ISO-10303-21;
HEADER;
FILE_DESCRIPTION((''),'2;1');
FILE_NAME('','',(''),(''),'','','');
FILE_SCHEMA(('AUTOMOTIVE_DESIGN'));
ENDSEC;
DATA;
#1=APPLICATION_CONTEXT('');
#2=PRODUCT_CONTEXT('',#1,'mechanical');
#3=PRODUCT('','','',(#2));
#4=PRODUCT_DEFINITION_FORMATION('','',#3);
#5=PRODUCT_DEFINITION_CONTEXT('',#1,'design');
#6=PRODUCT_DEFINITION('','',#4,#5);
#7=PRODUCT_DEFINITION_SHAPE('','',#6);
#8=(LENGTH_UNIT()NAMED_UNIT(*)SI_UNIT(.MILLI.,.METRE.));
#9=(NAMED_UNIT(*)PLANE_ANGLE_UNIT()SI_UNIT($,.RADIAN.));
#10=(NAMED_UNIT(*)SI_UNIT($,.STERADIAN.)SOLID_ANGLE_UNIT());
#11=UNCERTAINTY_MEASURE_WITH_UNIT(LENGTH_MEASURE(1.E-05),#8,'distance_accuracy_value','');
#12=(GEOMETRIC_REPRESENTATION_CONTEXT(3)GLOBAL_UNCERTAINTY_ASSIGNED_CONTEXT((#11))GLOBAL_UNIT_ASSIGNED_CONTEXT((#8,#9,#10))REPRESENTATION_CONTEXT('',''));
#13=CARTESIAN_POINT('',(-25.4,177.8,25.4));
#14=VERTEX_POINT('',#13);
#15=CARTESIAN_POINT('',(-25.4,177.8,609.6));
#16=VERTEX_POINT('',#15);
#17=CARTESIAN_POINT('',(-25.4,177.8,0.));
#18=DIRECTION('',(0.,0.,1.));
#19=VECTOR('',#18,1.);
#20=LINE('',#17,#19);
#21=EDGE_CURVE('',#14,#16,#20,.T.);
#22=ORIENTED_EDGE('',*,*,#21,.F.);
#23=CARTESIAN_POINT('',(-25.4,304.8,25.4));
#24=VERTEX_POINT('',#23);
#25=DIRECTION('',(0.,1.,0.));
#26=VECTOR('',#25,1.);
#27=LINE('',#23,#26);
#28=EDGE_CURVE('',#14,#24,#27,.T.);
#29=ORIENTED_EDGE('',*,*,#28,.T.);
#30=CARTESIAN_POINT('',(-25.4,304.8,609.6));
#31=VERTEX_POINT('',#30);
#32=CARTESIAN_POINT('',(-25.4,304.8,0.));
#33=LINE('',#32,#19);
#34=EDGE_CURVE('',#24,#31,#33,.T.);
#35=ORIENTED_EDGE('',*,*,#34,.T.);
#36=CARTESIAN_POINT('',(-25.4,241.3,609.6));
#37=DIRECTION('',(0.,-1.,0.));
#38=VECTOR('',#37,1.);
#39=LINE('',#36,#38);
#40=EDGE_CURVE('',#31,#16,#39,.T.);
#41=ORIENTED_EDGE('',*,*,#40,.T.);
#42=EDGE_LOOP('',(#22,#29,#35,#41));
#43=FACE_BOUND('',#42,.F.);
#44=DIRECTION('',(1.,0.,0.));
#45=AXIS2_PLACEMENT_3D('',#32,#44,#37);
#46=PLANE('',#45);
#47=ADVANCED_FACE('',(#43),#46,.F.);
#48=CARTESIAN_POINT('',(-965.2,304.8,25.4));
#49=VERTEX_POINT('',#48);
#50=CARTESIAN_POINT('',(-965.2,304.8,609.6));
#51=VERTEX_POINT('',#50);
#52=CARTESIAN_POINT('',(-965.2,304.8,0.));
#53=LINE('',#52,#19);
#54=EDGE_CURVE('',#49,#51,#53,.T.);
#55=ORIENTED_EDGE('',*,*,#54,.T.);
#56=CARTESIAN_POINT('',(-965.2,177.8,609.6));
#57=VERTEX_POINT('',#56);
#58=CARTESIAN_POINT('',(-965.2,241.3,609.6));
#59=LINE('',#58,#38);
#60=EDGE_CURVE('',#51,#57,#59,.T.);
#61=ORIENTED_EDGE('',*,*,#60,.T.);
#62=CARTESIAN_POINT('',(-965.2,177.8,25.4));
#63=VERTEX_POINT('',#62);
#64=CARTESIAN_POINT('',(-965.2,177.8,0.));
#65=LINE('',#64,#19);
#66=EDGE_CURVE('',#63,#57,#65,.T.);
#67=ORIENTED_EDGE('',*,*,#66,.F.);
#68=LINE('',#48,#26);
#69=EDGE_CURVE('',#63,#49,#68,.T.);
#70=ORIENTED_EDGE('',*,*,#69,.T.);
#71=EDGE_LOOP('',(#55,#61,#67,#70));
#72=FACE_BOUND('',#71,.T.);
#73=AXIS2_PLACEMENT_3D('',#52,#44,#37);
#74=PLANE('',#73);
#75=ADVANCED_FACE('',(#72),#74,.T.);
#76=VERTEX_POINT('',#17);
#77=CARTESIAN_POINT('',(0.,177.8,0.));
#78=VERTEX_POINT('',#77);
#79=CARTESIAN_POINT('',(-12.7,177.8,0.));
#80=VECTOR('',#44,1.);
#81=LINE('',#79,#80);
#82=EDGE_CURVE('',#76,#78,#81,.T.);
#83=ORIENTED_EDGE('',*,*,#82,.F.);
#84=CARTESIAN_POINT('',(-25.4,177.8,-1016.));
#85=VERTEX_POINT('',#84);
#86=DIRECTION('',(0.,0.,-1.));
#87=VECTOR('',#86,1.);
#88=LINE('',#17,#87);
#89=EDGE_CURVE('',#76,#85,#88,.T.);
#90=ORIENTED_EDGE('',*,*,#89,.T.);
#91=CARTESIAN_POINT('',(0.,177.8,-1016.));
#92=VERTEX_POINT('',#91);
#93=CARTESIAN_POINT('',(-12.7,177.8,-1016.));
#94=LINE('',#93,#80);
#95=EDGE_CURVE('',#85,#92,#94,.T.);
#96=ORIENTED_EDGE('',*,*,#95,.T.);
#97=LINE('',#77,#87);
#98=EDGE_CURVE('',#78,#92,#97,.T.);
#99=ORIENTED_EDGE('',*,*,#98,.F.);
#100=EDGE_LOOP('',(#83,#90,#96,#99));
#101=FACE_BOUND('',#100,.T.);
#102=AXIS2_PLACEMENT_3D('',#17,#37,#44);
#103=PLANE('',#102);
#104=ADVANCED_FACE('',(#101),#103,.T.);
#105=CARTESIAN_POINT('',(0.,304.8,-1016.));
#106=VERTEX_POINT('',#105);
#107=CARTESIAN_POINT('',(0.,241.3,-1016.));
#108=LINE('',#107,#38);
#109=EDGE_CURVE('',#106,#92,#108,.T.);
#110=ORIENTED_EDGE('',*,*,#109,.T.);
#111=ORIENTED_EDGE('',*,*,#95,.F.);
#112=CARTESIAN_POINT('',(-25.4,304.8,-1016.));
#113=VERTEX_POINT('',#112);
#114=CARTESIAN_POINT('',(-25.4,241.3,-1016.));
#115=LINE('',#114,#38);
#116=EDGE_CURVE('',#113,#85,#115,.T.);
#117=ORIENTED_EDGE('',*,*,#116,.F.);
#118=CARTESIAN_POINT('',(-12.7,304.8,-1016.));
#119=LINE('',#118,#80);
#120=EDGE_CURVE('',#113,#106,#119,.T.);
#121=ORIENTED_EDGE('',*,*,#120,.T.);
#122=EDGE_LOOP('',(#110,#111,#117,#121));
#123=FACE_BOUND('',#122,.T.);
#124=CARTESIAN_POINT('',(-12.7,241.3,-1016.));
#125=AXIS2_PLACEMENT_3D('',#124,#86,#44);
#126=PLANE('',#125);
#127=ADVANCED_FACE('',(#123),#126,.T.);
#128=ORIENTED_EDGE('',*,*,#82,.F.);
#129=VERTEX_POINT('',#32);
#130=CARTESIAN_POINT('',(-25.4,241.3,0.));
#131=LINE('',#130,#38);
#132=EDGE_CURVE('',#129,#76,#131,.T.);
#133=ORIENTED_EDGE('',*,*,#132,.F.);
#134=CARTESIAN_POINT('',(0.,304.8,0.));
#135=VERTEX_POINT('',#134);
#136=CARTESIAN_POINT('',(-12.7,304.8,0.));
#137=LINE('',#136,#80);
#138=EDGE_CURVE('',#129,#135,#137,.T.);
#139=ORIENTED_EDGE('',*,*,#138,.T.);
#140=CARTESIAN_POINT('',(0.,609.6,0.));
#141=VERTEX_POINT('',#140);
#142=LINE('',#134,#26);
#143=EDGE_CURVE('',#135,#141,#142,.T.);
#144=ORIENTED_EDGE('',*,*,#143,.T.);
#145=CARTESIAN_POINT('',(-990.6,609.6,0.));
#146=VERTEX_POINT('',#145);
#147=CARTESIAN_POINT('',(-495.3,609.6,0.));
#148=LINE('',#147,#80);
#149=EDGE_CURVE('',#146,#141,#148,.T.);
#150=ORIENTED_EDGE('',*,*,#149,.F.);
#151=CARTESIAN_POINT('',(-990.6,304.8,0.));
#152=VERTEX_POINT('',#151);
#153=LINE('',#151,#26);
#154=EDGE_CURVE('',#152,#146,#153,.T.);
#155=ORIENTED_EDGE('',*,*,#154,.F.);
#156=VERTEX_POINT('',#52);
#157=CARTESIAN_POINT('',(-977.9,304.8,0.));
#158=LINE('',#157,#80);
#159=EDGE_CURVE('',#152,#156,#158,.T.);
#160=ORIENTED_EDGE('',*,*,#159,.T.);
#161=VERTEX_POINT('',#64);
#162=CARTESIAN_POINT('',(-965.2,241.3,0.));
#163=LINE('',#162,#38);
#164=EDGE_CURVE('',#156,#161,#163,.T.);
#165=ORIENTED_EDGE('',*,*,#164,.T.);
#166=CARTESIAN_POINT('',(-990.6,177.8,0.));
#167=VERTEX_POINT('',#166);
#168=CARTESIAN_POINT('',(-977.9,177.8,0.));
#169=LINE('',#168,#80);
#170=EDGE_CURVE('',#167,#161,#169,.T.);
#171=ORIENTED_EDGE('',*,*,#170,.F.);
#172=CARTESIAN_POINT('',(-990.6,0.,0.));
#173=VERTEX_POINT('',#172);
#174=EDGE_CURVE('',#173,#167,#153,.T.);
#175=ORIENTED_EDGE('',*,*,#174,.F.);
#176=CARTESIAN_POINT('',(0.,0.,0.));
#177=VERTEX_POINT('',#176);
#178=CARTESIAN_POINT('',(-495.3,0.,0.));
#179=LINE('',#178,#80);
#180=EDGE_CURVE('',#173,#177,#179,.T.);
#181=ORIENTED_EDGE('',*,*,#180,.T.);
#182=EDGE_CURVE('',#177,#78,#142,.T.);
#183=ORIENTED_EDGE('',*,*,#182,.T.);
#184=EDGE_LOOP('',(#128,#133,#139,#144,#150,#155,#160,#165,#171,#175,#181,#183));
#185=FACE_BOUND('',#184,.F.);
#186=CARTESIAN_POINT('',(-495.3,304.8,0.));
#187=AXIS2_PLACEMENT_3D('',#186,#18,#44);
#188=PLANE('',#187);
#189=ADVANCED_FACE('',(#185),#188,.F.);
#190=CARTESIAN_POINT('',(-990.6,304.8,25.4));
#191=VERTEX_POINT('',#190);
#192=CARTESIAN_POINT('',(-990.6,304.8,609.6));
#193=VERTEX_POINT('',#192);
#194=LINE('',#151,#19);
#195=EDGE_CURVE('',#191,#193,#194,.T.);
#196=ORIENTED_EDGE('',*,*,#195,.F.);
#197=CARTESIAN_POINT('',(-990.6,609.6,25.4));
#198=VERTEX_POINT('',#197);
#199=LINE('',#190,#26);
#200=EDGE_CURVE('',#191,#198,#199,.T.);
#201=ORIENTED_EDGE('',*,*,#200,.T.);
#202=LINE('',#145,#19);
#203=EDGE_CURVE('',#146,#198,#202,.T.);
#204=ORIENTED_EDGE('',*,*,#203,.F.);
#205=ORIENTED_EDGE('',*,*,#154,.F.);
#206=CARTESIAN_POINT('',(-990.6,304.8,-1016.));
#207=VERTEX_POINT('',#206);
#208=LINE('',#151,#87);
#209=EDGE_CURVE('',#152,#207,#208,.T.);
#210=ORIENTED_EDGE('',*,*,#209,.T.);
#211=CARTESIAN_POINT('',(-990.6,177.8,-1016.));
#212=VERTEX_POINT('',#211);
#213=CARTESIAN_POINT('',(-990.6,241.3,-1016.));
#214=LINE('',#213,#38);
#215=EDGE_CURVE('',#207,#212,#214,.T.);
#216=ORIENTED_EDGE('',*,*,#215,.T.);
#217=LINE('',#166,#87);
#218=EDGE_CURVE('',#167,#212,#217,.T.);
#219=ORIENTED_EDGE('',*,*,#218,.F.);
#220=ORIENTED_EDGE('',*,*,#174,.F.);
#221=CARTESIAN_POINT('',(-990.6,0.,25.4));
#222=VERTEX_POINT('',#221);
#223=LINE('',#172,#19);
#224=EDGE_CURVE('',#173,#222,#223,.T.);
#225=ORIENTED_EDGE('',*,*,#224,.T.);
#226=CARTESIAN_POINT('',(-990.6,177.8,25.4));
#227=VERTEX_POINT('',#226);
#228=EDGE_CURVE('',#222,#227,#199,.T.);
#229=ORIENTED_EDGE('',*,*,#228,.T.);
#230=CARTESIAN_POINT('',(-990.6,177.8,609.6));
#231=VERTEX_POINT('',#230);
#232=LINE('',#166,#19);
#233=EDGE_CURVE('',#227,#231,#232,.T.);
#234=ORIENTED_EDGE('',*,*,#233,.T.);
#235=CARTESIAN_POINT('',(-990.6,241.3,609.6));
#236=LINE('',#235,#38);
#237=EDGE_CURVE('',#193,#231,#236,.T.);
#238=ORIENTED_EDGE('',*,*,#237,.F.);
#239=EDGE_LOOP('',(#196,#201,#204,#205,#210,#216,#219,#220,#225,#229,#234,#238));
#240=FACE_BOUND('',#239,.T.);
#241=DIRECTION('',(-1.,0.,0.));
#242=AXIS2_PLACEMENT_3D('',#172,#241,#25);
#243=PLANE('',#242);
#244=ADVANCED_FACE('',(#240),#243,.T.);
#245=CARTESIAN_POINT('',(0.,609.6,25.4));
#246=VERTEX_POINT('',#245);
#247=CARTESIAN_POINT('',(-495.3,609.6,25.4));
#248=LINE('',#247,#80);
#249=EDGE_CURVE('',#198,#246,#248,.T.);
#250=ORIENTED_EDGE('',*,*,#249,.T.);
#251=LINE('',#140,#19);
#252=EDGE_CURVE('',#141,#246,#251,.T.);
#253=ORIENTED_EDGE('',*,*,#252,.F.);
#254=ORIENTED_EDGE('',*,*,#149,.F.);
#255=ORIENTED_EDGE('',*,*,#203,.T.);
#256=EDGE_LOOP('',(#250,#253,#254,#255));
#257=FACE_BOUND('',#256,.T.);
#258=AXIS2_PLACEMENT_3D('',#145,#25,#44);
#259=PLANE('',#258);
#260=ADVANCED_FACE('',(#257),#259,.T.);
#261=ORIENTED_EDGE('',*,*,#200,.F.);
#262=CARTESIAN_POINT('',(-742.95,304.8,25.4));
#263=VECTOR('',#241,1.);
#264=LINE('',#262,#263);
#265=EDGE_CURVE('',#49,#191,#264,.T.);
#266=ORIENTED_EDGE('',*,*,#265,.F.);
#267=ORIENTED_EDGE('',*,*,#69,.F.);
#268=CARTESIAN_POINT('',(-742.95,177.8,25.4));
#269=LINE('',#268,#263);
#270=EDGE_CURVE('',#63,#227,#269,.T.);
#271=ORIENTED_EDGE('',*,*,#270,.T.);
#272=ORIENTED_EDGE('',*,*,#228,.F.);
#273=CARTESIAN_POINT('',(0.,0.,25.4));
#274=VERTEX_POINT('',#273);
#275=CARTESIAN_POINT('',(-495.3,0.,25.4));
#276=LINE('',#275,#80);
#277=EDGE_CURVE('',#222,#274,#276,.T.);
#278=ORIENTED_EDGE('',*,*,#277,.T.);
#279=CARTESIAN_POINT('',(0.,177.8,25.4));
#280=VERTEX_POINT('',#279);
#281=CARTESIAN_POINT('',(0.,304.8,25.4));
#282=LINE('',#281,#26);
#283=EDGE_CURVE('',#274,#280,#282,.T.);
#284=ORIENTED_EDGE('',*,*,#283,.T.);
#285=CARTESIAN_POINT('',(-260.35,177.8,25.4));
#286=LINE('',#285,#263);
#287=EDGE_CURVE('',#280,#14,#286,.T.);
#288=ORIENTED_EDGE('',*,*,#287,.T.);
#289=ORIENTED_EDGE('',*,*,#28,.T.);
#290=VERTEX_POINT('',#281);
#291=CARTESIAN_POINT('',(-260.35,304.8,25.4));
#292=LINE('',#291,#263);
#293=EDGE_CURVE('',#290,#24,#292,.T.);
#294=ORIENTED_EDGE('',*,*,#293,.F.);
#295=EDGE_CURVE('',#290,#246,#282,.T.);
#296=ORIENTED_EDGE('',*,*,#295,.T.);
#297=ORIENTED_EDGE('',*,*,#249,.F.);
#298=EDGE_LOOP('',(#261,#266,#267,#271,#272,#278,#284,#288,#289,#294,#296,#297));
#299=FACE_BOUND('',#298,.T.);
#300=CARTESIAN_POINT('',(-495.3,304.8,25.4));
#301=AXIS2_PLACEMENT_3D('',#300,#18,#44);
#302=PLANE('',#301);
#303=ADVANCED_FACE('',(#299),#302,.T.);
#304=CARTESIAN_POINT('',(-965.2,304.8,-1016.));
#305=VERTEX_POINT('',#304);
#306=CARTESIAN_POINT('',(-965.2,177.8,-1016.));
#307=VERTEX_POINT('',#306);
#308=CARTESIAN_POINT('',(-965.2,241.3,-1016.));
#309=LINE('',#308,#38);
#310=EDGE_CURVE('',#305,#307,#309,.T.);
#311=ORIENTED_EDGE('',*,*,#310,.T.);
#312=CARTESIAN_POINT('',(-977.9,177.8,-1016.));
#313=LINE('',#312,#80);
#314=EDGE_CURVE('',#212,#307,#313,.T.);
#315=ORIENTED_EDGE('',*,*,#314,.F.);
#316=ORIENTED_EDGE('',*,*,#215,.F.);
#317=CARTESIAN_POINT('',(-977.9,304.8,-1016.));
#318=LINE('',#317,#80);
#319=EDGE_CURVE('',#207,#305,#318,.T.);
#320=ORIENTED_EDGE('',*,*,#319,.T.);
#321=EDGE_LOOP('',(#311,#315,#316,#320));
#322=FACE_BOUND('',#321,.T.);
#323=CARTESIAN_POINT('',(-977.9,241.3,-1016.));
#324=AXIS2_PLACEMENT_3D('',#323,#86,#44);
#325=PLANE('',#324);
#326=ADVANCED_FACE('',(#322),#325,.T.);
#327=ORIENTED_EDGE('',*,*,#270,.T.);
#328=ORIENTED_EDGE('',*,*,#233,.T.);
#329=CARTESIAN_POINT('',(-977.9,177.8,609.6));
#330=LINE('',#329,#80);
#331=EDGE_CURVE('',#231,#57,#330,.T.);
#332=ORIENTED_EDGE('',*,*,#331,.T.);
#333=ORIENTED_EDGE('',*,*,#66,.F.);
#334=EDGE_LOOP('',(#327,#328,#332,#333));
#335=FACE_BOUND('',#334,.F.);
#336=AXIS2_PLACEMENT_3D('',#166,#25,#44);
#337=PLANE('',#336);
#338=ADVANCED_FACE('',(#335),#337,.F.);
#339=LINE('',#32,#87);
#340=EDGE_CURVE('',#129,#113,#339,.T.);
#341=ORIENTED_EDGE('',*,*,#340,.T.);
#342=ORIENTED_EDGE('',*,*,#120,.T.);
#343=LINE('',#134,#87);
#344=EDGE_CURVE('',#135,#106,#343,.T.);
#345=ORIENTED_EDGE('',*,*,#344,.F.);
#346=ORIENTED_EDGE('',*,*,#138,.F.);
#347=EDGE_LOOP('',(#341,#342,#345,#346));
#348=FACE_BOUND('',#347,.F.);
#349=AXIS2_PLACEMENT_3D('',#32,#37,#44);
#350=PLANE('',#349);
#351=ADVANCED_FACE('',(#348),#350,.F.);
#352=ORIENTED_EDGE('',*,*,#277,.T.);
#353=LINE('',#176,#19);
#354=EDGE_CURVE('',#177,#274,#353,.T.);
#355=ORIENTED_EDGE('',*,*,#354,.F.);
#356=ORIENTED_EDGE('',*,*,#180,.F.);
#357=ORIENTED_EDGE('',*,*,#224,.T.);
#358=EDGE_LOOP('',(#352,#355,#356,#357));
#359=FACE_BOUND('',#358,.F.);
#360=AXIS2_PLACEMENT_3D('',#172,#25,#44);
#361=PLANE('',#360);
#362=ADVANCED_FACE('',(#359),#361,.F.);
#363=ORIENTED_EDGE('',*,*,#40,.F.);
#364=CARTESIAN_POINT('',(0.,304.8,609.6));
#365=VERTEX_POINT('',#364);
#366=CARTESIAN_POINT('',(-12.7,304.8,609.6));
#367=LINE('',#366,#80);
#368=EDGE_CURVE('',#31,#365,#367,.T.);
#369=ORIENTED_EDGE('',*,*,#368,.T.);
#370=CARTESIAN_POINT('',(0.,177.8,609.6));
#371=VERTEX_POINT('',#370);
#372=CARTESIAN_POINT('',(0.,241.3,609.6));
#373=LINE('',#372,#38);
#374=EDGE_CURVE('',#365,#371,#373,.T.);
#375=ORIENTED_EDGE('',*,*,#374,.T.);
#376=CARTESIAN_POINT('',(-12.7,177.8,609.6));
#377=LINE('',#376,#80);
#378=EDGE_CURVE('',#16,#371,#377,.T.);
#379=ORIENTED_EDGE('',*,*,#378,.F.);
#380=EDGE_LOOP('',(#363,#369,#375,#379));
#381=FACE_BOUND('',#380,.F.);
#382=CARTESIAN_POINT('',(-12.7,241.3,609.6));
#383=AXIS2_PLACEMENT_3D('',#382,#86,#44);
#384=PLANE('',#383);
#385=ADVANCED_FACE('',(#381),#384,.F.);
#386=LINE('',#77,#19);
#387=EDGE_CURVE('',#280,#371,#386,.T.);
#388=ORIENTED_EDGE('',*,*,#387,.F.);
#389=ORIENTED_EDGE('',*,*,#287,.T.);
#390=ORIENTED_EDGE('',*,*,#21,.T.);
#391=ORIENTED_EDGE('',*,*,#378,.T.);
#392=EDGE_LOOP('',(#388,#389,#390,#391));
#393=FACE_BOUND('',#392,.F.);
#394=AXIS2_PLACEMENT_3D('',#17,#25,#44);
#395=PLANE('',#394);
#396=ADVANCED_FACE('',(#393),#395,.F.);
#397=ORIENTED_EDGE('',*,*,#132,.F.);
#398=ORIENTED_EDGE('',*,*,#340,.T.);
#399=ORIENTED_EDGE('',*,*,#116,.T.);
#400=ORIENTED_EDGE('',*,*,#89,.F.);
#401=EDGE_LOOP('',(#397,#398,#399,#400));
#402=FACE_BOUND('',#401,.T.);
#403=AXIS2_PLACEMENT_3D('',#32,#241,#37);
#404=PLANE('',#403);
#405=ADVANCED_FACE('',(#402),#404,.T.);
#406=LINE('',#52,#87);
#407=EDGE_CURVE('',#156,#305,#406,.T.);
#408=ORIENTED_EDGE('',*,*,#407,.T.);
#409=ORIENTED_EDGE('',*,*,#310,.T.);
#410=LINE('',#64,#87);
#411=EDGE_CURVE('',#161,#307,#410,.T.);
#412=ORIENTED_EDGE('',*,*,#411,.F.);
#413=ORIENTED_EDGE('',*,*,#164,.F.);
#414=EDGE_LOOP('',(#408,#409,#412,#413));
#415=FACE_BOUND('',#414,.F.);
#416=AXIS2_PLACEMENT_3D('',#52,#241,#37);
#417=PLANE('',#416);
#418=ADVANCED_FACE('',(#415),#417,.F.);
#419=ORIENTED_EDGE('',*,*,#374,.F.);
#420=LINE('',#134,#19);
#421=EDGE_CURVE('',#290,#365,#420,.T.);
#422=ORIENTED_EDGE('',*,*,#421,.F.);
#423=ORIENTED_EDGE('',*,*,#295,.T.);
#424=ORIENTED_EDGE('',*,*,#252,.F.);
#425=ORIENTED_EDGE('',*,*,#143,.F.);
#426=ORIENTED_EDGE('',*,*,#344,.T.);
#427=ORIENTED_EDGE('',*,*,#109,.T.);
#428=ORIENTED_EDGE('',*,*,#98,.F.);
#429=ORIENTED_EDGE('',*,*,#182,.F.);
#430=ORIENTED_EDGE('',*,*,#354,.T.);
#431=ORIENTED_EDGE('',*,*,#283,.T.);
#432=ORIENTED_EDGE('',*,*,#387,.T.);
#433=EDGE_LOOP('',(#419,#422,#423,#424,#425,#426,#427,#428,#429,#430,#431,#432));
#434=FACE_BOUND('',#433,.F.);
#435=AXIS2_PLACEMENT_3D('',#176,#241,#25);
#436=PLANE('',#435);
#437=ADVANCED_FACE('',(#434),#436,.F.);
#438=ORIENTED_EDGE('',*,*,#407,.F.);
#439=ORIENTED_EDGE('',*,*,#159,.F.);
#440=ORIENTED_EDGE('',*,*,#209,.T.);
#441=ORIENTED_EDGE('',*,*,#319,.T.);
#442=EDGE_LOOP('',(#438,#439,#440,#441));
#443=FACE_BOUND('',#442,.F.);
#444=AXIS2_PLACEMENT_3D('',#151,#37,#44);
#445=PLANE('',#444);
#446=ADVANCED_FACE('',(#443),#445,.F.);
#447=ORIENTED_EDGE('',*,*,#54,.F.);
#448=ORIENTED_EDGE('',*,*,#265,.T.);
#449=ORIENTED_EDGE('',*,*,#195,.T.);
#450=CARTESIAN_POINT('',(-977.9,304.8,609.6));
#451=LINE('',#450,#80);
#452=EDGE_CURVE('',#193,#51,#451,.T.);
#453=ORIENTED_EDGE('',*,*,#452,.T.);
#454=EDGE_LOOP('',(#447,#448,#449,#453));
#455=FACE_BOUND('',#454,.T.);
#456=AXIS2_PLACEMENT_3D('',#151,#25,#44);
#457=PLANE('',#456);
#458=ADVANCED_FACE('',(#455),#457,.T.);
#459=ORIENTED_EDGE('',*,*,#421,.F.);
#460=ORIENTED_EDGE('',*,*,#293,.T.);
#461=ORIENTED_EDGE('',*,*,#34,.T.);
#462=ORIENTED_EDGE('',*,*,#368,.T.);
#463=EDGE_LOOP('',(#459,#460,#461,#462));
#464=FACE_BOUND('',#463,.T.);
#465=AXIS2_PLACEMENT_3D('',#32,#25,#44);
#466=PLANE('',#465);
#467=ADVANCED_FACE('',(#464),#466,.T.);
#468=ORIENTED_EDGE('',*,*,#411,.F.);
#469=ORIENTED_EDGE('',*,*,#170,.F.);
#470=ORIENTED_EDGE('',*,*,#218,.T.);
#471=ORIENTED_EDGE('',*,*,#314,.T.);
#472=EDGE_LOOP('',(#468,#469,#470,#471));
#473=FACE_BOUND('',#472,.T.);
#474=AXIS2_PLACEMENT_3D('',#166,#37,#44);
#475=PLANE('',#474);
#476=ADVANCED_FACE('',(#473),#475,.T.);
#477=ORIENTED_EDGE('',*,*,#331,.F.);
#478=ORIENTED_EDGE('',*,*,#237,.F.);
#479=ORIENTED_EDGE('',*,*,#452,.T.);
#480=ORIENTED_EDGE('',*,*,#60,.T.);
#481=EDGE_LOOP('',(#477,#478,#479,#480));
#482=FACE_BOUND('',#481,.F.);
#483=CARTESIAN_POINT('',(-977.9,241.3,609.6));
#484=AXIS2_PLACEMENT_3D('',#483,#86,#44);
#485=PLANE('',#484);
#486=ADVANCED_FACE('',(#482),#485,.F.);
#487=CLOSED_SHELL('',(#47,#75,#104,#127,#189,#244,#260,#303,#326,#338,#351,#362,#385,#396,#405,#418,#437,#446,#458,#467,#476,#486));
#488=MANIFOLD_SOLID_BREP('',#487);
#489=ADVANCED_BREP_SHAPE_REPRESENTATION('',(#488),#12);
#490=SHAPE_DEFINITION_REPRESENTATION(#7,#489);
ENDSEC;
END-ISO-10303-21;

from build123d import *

# Parameters (mm, degrees)
F0_W          = 990.6
F0_H          = 609.6
F1_DEPTH      = 25.4
F2_W          = 25.4
F2_H          = 127
F3_DEPTH      = 1016
F3_DEPTH_BACK = 609.6


with BuildPart() as f1:
    # F0 (on Top) → F1 (new body)
    with BuildSketch(Plane.XY):
        with Locations((-495.3, 304.8)):
            Rectangle(F0_W, F0_H)
    extrude(amount=F1_DEPTH)

    # F2 (on face) → F3 (join, two sides)
    with BuildSketch(Plane(origin=(0, 0, 0), x_dir=(1, 0, 0), z_dir=(0, 0, -1))) as f3_sk:
        with Locations((-977.9, -241.3)):
            Rectangle(F2_W, F2_H)
        with Locations((-12.7, -241.3)):
            Rectangle(F2_W, F2_H)
    extrude(amount=F3_DEPTH)
    extrude(f3_sk.sketch, amount=-F3_DEPTH_BACK)


solid = f1.part
